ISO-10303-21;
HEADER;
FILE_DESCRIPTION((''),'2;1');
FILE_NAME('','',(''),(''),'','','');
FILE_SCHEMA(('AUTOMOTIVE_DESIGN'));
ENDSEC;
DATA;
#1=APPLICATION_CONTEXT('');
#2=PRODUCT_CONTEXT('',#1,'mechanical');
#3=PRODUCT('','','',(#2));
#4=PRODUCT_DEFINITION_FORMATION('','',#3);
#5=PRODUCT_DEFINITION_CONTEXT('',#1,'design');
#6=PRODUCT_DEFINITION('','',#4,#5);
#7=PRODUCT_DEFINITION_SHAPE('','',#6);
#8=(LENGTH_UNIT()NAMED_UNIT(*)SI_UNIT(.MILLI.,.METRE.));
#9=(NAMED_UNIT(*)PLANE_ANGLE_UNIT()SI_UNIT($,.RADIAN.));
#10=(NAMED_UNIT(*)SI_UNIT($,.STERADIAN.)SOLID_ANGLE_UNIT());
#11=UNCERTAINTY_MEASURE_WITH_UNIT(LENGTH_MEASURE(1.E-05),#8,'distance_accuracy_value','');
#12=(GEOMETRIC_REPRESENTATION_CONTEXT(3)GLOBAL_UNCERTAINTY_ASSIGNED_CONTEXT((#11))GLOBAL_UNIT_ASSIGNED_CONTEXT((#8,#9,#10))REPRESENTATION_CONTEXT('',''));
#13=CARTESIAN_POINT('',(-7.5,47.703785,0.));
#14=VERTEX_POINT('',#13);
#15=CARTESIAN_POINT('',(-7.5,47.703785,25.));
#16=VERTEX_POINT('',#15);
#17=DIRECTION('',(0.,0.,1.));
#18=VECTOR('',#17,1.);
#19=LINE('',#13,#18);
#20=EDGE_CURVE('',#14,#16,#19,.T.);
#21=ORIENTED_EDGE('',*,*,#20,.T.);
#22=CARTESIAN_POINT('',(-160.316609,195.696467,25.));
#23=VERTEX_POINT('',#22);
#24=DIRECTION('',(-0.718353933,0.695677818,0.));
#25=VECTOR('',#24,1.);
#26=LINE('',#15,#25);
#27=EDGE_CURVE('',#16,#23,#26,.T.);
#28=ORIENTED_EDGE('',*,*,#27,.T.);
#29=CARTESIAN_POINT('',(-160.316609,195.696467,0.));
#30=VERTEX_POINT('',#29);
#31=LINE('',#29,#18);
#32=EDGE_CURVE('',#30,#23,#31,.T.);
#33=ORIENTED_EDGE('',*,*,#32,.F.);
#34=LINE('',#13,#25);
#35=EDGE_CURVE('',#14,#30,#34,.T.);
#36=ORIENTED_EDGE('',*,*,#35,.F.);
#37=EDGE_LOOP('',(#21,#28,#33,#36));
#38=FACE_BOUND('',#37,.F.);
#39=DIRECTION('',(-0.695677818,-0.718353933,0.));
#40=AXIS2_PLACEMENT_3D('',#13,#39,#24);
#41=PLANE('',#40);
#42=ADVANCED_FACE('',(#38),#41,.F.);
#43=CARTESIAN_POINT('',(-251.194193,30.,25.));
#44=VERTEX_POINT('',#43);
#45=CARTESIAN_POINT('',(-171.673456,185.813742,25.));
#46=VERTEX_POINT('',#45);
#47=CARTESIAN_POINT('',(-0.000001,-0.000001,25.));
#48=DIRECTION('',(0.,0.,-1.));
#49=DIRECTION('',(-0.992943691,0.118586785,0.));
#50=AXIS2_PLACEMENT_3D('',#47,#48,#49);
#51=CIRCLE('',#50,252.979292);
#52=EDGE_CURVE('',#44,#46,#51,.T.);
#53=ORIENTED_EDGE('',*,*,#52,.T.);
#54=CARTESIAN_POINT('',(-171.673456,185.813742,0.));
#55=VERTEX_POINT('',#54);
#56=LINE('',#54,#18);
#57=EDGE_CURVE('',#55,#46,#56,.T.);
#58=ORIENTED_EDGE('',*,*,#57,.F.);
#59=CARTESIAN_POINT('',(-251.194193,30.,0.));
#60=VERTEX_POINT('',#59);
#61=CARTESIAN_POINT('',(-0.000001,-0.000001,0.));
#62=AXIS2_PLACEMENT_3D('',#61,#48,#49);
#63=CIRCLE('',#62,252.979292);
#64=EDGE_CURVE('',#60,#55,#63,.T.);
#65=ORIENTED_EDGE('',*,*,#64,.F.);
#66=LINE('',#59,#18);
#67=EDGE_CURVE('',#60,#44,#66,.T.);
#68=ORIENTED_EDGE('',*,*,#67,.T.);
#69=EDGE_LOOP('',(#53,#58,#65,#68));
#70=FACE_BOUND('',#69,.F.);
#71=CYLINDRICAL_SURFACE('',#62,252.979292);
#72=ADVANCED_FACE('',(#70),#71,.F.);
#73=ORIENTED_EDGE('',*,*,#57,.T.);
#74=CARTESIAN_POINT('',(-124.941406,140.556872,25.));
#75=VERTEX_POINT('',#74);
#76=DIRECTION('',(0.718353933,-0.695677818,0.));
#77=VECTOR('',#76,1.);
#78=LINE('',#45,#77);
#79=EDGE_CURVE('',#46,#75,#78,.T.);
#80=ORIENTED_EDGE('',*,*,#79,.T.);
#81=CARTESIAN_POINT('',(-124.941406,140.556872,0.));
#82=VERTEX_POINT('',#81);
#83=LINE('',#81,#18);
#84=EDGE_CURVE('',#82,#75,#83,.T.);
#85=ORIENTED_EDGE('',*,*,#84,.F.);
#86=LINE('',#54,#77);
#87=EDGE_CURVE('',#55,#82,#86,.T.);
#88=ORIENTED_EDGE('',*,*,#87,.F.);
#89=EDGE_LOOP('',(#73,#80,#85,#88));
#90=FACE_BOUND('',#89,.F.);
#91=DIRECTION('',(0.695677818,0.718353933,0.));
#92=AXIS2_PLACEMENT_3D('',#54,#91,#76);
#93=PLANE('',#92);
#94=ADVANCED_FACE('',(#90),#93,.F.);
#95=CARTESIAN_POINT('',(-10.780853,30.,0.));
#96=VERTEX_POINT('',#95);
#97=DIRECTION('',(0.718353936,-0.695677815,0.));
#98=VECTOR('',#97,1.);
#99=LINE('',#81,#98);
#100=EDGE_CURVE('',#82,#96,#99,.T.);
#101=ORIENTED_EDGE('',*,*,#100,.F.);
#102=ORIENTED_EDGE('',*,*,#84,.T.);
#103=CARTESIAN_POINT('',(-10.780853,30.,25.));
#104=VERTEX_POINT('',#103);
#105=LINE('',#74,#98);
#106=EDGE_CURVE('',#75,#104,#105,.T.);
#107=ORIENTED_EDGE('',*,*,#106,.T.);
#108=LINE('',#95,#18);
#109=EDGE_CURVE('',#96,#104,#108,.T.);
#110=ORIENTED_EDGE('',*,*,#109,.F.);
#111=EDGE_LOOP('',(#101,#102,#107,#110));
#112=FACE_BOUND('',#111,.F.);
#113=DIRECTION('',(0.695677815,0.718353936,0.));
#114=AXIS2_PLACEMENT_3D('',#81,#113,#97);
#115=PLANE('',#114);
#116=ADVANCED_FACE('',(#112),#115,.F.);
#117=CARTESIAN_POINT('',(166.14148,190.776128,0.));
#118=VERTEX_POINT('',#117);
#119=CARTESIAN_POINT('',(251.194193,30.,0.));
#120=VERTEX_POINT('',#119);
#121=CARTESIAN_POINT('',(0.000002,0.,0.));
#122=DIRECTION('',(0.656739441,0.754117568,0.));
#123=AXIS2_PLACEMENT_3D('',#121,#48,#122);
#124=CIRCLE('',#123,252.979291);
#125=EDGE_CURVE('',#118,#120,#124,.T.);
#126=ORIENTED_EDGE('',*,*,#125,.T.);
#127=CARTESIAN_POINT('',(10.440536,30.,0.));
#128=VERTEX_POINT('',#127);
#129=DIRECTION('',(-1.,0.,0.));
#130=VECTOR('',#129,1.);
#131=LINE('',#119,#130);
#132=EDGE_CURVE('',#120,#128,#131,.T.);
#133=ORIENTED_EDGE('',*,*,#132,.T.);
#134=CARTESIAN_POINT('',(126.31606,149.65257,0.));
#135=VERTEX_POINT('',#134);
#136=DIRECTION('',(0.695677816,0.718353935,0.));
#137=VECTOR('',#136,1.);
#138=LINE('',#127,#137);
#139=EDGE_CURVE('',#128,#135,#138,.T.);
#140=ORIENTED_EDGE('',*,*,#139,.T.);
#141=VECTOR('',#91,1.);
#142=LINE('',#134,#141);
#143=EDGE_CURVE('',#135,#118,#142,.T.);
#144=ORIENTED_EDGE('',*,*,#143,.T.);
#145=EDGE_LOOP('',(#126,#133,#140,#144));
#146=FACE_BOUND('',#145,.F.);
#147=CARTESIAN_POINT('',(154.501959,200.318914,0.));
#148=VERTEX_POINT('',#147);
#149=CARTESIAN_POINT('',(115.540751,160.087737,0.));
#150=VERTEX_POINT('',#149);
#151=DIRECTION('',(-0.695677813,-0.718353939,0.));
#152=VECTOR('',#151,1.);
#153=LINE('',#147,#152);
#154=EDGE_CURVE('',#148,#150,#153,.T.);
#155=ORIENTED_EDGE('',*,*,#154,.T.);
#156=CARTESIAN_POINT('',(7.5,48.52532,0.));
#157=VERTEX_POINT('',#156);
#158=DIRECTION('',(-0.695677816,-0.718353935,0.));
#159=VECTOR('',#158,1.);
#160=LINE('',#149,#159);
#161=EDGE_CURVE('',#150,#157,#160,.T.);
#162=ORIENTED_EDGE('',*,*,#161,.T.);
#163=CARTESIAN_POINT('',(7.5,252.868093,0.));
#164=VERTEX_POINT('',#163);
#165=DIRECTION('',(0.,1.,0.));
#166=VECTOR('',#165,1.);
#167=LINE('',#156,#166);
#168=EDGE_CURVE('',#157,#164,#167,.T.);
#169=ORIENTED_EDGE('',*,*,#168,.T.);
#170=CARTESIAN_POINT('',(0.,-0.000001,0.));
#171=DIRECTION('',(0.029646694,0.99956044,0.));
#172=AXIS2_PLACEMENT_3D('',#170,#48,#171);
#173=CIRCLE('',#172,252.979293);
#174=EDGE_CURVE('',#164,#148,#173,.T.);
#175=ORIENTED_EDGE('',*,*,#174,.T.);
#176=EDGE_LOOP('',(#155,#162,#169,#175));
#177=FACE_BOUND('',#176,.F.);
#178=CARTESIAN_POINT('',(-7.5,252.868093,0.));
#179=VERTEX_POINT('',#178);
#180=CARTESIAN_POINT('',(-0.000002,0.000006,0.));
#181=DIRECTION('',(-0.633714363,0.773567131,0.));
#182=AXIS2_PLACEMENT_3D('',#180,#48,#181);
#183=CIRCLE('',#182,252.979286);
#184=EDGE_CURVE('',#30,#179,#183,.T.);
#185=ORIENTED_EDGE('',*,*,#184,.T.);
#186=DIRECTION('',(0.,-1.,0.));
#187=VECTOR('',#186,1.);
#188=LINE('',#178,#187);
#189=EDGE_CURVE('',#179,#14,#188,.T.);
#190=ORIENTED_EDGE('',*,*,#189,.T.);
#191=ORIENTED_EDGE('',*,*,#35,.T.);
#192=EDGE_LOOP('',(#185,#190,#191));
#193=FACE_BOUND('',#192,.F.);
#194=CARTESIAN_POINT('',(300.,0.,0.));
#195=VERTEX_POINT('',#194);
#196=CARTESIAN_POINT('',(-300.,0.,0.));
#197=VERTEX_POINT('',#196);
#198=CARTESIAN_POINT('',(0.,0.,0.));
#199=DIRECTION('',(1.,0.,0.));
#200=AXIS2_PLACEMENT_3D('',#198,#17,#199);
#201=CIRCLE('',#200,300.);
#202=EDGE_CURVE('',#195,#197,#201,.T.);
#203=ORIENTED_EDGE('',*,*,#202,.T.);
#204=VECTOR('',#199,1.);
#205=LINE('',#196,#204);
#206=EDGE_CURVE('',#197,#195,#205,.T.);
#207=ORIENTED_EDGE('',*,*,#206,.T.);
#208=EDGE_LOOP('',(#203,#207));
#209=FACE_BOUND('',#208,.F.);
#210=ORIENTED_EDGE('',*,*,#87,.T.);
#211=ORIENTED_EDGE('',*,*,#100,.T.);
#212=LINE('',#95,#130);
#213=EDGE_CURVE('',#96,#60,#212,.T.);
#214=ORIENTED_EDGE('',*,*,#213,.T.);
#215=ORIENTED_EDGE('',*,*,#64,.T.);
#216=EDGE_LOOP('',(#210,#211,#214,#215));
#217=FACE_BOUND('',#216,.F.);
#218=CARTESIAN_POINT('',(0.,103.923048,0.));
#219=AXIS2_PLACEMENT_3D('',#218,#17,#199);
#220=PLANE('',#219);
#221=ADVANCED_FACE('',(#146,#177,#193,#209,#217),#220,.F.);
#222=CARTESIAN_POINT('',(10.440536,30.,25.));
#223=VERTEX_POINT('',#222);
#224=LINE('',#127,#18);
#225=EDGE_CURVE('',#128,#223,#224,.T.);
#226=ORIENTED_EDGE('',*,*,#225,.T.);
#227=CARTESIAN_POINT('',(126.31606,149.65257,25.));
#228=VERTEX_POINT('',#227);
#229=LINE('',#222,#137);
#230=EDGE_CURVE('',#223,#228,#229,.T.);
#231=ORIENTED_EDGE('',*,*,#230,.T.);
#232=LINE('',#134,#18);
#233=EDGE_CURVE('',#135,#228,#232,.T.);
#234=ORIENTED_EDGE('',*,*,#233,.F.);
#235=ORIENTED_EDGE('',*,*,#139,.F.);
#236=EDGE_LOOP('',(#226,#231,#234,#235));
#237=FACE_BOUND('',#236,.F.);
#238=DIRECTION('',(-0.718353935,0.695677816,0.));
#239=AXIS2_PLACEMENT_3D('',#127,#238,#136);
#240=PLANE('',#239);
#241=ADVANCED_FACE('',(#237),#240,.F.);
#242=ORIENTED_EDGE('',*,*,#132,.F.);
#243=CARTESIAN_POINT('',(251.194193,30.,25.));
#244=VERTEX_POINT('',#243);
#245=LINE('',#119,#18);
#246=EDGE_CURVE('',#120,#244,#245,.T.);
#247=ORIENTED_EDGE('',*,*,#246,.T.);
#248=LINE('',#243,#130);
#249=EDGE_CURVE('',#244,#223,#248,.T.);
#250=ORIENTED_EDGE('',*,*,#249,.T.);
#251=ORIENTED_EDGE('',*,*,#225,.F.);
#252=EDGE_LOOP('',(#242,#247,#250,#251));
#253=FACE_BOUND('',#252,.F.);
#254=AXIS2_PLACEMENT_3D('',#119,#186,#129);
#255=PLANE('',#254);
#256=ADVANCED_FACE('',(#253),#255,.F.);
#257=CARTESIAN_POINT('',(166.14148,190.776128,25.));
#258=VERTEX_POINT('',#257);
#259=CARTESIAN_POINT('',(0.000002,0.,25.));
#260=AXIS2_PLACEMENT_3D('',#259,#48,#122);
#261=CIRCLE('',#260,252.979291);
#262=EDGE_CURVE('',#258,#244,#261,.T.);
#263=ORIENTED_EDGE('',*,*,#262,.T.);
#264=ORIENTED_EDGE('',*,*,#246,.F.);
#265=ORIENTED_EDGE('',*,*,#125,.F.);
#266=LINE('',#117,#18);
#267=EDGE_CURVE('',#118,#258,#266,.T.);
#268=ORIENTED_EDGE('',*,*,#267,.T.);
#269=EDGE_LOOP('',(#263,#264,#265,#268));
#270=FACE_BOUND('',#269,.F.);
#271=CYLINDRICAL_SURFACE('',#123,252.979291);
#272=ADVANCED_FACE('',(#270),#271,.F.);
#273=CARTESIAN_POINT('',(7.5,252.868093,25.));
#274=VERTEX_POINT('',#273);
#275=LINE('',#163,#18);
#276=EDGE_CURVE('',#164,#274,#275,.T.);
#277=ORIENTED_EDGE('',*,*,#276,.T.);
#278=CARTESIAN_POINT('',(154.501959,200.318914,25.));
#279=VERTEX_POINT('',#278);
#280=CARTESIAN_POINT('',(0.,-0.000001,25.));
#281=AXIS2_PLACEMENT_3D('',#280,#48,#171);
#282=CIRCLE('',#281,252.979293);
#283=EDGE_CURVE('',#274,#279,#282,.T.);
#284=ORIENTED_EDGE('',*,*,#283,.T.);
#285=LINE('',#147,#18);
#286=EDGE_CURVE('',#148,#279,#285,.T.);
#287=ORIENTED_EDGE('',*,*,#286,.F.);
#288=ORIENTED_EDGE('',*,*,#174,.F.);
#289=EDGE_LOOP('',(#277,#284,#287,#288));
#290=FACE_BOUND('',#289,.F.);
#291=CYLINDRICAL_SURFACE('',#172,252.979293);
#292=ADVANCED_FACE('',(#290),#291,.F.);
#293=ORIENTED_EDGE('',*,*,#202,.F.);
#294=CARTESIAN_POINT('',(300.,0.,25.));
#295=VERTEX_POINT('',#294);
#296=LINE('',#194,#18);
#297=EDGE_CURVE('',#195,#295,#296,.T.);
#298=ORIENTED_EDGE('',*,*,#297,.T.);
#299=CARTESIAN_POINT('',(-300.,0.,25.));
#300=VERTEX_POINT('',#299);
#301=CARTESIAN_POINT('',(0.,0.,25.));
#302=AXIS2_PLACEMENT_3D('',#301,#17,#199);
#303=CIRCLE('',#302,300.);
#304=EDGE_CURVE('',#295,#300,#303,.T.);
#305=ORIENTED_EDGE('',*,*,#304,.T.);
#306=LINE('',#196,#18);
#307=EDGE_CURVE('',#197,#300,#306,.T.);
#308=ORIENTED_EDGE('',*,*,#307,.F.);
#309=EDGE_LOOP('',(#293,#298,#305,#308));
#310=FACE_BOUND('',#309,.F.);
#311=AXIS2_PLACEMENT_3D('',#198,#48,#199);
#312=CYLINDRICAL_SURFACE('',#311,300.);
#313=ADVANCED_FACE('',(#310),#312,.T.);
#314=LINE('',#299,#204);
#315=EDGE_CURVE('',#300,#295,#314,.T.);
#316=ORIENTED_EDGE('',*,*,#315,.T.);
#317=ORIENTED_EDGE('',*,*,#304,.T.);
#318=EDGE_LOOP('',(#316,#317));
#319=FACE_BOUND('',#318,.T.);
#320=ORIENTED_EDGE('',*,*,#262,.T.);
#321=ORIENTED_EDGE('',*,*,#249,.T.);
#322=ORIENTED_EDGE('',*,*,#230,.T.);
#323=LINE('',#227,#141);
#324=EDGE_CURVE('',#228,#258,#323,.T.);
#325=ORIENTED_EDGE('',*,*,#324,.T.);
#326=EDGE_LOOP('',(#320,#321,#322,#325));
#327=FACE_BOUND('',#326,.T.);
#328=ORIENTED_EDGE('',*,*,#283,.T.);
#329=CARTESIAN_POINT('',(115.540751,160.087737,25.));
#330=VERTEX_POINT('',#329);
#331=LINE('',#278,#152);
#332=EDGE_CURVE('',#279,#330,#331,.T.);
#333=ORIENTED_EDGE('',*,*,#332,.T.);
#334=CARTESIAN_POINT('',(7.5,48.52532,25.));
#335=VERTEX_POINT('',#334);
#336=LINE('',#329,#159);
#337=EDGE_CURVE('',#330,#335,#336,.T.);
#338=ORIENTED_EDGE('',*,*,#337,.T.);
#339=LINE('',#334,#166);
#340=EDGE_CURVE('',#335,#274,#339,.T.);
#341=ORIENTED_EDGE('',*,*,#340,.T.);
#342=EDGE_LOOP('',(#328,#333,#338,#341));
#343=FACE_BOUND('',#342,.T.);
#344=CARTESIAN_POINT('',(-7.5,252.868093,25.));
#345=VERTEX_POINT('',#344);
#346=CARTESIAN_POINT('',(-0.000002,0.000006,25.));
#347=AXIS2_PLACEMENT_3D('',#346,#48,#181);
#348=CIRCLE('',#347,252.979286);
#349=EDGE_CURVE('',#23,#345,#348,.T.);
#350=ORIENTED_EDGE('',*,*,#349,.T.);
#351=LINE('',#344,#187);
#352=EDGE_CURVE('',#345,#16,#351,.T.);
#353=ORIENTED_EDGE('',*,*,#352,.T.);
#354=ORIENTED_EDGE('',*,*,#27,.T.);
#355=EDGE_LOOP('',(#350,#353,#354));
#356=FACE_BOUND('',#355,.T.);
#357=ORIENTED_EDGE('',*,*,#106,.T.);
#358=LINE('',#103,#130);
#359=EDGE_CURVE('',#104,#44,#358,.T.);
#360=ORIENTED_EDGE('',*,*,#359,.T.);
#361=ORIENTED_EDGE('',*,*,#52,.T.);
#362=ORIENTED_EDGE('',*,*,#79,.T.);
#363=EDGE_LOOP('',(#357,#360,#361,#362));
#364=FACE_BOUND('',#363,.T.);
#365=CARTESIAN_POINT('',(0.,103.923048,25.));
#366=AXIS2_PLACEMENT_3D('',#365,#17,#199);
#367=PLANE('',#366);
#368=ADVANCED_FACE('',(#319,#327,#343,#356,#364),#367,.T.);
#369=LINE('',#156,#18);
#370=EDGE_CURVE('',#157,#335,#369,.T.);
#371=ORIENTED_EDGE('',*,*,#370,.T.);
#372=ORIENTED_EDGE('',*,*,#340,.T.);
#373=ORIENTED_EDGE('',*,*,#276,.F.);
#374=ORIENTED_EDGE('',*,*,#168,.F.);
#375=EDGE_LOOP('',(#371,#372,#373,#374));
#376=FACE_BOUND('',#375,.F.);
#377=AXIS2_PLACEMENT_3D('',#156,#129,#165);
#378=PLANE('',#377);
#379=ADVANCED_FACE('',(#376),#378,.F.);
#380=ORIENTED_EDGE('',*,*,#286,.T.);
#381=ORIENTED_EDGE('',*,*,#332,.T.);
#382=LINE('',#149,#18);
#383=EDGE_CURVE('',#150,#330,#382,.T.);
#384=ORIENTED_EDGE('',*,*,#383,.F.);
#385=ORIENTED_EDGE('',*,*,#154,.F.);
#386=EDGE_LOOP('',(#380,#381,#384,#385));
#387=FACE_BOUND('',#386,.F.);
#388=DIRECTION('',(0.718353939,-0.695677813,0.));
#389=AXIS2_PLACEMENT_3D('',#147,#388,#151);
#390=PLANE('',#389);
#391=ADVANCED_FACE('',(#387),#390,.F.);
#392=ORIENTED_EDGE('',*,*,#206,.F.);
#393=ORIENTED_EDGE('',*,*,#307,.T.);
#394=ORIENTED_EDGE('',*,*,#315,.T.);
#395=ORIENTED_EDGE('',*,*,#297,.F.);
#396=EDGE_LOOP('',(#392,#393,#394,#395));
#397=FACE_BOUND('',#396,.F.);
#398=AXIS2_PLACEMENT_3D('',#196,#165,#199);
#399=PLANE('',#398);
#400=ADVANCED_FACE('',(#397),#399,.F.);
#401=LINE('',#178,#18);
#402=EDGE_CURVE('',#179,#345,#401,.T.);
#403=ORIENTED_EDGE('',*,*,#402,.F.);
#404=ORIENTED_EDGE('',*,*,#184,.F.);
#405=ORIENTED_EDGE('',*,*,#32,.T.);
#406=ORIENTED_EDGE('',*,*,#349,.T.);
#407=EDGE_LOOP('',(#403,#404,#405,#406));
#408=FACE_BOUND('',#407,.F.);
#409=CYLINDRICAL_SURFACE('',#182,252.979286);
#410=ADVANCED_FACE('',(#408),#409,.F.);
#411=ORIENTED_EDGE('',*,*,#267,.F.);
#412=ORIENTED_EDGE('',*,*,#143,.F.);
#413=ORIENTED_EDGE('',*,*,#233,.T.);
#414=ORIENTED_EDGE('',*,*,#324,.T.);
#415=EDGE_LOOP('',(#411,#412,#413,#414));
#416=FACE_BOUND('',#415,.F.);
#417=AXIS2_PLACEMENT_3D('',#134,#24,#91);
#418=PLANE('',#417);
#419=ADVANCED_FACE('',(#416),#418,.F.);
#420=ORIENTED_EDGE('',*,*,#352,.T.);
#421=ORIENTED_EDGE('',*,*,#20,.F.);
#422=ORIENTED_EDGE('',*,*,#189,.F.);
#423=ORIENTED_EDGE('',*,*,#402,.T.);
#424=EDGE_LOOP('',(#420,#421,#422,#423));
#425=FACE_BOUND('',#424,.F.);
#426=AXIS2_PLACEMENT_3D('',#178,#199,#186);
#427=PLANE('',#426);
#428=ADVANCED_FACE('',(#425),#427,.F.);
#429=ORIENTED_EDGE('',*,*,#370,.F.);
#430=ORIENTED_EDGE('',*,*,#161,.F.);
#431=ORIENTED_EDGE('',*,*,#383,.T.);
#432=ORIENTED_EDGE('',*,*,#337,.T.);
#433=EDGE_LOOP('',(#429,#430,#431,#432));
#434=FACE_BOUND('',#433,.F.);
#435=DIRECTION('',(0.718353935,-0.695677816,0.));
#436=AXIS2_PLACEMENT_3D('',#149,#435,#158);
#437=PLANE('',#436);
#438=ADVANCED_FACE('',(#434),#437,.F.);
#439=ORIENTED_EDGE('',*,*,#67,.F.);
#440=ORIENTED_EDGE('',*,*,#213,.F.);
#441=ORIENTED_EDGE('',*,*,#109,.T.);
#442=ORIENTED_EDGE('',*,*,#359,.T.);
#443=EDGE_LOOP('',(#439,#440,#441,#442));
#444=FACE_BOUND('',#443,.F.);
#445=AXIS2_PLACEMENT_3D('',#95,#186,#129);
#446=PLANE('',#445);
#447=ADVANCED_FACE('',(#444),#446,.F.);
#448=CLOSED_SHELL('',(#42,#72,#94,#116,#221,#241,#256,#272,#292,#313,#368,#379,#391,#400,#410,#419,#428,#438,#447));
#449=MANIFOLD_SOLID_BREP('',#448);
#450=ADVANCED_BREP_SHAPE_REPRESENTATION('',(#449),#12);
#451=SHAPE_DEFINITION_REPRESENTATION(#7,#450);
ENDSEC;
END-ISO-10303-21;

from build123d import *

# Parameters (mm, degrees)
F1_DEPTH = 25


with BuildPart() as f1:
    # F0 (on Top) → F1 (new body)
    with BuildSketch(Plane.XY):
        with BuildLine():
            Line((0, 0), (300, 0))
            ThreePointArc((300, 0), (0, 300), (-300, 0))
            Line((-300, 0), (0, 0))
        make_face()
        with BuildLine():
            Line((-124.941406, 140.556872), (-10.780853, 30))
            Line((-10.780853, 30), (-251.194193, 30))
            ThreePointArc((-251.194193, 30), (-225.330297, 114.999042), (-171.673456, 185.813742))
            Line((-171.673456, 185.813742), (-124.941406, 140.556872))
        make_face(mode=Mode.SUBTRACT)
        with BuildLine():
            ThreePointArc((166.14148, 190.776128), (223.616875, 118.296305), (251.194193, 30))
            Line((251.194193, 30), (10.440536, 30))
            Line((10.440536, 30), (126.31606, 149.65257))
            Line((126.31606, 149.65257), (166.14148, 190.776128))
        make_face(mode=Mode.SUBTRACT)
        with BuildLine():
            Line((-7.5, 47.703785), (-160.316609, 195.696467))
            ThreePointArc((-160.316609, 195.696467), (-88.643964, 236.940436), (-7.5, 252.868093))
            Line((-7.5, 252.868093), (-7.5, 187.733397))
            Line((-7.5, 187.733397), (-7.5, 47.703785))
        make_face(mode=Mode.SUBTRACT)
        with BuildLine():
            Line((7.5, 48.52532), (7.5, 187.733397))
            Line((7.5, 187.733397), (7.5, 252.868093))
            ThreePointArc((7.5, 252.868093), (85.155814, 238.216309), (154.501959, 200.318914))
            Line((154.501959, 200.318914), (115.540751, 160.087737))
            Line((115.540751, 160.087737), (7.5, 48.52532))
        make_face(mode=Mode.SUBTRACT)
    extrude(amount=F1_DEPTH)


solid = f1.part
